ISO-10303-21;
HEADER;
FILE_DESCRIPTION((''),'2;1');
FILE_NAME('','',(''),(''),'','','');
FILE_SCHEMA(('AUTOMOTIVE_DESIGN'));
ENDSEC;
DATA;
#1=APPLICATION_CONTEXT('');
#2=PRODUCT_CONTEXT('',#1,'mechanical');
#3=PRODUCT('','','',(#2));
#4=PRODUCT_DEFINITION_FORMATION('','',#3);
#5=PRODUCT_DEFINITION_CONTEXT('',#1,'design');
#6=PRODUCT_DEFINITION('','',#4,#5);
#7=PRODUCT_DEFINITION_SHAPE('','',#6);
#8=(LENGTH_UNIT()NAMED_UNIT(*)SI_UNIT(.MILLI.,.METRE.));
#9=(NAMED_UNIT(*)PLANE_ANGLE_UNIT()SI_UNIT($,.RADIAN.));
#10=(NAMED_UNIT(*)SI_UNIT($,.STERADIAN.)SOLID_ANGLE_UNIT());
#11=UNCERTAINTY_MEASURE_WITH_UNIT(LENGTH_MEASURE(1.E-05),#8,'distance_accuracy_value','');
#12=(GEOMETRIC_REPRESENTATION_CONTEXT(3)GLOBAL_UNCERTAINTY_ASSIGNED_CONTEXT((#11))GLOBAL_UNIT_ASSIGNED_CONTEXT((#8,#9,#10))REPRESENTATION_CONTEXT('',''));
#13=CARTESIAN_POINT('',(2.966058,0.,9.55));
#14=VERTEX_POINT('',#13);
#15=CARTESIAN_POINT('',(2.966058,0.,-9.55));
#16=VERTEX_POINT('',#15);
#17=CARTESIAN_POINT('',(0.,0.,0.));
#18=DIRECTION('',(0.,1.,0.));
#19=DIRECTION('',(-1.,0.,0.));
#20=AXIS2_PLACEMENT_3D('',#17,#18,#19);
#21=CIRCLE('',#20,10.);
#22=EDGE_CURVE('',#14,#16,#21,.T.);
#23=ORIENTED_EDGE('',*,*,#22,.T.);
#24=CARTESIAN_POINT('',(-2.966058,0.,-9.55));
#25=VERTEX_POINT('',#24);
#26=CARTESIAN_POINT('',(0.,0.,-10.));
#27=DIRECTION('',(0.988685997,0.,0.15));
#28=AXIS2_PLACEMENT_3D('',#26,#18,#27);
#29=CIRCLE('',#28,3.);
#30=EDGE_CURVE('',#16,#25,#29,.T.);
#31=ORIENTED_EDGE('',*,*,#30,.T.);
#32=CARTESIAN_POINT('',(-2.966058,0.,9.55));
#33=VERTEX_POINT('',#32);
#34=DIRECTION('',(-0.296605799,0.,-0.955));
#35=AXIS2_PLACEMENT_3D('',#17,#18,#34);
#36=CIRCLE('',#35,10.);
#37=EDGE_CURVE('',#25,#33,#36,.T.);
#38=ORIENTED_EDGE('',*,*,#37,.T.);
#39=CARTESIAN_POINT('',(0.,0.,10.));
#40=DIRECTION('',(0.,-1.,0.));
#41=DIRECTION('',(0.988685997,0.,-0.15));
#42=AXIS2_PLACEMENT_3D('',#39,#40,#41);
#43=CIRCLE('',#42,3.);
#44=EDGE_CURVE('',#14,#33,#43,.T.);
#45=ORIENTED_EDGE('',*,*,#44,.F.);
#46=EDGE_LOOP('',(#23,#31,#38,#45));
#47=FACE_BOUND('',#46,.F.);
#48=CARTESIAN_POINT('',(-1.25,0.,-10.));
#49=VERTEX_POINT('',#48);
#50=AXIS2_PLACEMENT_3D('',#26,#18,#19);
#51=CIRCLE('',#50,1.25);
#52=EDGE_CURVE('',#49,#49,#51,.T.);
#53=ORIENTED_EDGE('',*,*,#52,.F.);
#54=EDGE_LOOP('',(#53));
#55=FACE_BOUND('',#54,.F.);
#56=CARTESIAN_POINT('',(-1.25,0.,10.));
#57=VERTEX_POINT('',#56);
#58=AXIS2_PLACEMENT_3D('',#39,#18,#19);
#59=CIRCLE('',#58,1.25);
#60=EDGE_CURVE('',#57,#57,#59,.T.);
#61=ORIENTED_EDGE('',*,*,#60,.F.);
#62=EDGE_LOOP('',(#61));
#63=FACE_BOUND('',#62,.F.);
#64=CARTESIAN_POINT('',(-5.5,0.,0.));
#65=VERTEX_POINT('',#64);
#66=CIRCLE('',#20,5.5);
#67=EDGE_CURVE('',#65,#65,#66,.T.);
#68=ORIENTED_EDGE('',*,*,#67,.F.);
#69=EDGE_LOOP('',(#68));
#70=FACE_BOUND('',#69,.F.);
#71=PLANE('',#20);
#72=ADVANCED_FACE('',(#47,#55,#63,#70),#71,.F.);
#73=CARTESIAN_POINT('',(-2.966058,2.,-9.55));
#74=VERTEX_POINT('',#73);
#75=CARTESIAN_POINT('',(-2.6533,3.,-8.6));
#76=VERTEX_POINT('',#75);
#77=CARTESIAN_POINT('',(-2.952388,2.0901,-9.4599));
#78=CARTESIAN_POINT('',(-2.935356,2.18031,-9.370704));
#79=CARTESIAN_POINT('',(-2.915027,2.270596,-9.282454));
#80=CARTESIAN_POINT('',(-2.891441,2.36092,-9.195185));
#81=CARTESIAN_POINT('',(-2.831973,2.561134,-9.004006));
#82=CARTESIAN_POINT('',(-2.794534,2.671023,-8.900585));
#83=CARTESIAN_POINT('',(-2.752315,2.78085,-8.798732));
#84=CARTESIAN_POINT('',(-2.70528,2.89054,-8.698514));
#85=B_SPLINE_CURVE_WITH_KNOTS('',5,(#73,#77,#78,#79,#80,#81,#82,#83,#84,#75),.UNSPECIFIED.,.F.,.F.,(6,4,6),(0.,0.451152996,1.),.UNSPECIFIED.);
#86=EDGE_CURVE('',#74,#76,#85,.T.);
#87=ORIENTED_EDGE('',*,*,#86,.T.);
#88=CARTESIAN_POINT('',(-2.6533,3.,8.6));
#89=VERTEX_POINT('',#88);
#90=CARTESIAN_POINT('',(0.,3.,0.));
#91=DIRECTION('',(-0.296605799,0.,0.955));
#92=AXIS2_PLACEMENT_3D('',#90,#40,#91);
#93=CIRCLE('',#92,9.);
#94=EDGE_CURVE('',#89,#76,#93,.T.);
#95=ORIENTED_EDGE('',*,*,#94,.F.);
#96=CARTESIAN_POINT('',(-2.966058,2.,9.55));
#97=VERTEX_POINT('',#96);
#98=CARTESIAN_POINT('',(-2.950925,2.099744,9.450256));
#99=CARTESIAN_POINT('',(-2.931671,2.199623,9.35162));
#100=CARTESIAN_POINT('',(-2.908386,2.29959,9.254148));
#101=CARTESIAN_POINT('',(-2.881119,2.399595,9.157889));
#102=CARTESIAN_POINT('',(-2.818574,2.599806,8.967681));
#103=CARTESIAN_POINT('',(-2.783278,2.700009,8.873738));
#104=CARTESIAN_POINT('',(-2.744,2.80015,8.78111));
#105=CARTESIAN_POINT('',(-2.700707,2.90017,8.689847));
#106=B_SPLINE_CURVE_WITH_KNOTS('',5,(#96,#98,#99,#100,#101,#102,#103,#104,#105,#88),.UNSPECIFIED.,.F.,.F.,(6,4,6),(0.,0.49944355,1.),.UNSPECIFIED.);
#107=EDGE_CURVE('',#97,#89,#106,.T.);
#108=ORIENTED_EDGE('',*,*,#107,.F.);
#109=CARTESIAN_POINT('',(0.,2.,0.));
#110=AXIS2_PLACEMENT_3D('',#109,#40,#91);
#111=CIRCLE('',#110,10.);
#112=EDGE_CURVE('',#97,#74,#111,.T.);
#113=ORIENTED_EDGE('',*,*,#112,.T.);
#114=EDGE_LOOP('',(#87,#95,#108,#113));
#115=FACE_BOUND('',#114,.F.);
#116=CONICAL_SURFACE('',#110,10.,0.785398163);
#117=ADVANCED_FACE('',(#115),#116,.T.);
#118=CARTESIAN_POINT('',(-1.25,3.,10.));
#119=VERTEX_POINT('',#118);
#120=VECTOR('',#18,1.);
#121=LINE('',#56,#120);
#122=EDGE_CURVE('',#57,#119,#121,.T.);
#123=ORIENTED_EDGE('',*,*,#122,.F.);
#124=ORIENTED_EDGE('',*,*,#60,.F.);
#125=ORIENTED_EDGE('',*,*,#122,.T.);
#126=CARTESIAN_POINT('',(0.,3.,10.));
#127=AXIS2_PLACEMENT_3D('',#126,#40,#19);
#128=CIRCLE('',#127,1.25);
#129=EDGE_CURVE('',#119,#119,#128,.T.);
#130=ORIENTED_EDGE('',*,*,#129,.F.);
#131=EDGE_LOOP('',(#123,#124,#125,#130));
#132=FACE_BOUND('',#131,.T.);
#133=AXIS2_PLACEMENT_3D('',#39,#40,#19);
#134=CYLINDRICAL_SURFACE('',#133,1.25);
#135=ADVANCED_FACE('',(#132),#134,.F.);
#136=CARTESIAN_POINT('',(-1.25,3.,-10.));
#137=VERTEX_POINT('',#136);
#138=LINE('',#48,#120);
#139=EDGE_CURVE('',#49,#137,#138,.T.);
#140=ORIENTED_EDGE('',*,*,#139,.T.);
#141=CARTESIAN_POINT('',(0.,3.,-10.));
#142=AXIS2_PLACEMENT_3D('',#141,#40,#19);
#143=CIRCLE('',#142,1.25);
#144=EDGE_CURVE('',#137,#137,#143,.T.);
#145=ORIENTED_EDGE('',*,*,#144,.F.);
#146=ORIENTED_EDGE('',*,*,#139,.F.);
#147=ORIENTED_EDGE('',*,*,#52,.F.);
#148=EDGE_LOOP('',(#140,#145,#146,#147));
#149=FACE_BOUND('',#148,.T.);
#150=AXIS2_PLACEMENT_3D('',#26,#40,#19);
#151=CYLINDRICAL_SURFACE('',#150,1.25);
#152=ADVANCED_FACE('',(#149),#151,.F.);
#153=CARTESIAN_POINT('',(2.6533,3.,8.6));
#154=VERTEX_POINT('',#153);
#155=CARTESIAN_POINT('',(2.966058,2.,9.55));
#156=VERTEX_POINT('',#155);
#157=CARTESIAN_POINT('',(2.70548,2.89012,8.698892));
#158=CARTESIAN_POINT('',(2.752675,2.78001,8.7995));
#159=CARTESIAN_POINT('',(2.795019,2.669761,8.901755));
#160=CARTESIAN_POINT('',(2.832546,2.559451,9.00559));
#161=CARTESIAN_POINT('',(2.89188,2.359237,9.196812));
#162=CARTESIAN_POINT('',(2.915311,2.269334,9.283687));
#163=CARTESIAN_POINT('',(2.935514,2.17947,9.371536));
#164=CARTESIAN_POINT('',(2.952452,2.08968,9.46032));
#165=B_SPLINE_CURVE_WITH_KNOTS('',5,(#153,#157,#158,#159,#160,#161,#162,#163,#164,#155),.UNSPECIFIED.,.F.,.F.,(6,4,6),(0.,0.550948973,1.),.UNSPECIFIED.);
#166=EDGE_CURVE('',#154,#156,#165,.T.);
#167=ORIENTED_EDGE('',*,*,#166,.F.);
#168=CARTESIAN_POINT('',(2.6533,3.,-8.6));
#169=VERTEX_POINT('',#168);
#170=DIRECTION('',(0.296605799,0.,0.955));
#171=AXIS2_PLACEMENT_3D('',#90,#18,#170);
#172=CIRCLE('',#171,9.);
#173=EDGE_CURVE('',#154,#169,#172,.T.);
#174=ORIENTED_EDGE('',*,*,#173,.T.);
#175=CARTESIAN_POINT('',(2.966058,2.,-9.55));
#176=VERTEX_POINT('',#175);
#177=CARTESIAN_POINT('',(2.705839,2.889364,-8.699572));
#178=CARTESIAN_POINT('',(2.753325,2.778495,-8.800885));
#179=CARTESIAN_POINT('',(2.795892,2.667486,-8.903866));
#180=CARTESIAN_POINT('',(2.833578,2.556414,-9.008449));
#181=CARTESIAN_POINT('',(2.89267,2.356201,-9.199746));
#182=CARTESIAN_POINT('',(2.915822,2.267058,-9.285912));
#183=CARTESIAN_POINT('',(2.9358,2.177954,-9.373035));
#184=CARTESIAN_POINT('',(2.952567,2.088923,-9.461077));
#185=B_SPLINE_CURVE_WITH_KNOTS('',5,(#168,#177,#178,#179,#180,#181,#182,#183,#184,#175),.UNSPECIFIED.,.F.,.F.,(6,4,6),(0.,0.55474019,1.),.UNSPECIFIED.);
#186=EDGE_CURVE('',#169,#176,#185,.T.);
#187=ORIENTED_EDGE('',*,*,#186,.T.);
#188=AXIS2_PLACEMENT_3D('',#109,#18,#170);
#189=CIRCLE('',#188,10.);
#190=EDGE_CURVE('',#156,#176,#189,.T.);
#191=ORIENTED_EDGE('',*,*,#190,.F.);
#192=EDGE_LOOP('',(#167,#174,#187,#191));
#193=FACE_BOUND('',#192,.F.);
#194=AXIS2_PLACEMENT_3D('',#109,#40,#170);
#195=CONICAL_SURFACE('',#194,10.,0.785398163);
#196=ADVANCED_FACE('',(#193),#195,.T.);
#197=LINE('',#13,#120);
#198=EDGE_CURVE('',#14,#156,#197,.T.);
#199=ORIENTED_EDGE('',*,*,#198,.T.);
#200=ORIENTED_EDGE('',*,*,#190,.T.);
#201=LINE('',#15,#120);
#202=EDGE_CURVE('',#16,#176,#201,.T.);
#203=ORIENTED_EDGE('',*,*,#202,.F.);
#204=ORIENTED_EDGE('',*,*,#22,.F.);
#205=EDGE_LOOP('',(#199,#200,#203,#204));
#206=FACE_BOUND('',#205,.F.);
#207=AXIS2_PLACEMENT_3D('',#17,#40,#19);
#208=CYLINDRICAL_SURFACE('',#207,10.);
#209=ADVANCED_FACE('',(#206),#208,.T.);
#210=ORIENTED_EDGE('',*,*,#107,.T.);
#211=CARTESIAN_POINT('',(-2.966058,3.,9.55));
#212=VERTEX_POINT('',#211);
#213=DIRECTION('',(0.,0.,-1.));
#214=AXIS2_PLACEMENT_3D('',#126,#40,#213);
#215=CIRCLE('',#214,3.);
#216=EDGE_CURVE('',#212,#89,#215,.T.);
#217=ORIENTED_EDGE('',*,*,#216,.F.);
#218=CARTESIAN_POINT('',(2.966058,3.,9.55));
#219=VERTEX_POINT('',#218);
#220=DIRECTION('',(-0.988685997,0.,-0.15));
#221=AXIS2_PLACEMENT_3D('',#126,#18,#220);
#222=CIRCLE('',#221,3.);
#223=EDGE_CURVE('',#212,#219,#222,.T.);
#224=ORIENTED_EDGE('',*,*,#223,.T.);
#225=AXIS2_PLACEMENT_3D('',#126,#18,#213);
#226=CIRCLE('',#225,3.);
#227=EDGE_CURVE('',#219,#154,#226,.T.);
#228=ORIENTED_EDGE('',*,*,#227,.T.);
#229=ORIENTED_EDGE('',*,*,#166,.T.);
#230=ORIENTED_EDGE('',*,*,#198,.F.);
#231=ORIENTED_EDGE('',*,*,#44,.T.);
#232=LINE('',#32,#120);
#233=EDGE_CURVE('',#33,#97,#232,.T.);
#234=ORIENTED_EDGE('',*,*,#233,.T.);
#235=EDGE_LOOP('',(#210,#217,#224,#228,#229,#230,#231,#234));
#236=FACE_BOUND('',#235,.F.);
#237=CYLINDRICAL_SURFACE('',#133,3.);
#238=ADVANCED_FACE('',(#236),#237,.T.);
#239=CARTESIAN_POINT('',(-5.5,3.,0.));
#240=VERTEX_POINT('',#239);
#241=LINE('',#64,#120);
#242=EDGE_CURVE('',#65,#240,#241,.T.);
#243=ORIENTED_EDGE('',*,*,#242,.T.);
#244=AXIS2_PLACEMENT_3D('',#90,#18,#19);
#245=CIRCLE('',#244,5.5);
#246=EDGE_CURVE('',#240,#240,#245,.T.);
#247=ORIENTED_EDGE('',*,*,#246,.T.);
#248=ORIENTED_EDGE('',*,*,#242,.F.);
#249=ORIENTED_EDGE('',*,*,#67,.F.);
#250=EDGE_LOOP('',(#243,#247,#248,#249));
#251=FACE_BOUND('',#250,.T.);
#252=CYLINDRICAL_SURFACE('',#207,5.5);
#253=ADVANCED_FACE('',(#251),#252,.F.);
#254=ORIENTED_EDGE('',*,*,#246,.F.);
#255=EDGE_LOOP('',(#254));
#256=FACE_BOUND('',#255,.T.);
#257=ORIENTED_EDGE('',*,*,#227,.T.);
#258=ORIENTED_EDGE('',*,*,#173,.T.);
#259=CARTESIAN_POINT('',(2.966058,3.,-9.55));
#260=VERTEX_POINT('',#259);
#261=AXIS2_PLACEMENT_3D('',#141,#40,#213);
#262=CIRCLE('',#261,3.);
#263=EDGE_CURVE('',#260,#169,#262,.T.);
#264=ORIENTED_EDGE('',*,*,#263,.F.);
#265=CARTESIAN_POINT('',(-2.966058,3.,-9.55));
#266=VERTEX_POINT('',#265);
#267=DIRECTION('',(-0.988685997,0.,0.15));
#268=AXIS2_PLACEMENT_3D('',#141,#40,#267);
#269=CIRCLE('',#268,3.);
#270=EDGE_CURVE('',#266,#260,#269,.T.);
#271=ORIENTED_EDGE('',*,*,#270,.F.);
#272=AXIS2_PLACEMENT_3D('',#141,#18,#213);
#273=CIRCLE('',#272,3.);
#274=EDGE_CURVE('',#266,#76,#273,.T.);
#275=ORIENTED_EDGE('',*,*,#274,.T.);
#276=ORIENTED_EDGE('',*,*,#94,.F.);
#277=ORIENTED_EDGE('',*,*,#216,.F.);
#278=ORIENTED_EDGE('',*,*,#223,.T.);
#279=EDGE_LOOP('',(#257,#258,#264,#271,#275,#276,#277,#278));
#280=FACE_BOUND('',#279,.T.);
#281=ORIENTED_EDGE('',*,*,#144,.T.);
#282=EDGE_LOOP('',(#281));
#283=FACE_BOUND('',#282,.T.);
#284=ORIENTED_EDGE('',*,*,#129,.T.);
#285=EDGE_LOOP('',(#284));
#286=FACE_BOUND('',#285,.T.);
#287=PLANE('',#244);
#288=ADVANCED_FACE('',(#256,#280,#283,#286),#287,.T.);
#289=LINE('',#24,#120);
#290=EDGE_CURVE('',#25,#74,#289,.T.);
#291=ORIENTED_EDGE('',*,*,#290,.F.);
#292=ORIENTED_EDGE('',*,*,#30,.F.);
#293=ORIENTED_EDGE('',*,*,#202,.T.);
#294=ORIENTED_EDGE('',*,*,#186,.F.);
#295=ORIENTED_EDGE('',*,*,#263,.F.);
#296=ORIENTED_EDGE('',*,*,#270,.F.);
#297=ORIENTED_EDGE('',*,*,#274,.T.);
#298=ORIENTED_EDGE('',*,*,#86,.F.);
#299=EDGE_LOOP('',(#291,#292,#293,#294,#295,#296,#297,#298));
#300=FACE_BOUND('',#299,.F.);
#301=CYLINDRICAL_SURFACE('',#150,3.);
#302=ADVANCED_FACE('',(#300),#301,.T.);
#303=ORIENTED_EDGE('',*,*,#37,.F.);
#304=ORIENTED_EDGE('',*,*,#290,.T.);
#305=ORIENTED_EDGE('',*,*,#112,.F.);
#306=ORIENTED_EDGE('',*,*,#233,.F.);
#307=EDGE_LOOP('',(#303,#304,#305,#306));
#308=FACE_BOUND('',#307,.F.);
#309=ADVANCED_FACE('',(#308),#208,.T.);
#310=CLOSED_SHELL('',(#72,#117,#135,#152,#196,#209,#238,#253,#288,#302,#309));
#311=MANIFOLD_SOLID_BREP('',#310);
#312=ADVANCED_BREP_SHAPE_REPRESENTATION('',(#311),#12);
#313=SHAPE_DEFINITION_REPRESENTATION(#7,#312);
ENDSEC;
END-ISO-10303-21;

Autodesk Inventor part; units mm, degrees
ref_plane "YZ Plane" through (0, 0, 0) normal (1, 0, 0) x (0, 1, 0)
ref_plane "XZ Plane" through (0, 0, 0) normal (0, 1, 0) x (-1, 0, 0)
ref_plane "XY Plane" through (0, 0, 0) normal (0, 0, 1) x (1, 0, 0)
sketch "스케치1" plane through (0, 0, 0) normal (0, 1, 0) x (-1, 0, 0)
  circle A0 centre (0, 0) radius 10
  circle A1 centre (0, 10) radius 1.25
  circle A2 centre (0, 10) radius 3
  line L0 (0, 0) -> (3.5124, 0)
  circle A3 centre (0, -10) radius 1.25
  circle A4 centre (0, -10) radius 3
  circle A5 centre (0, 0) radius 5.5
  point P0 (2.9661, 9.55)
  point P1 (-2.9661, 9.55)
  point P2 (-2.9661, -9.55)
  point P3 (2.9661, -9.55)
  dimension "d0" = 20
  dimension "d2" = 2.5
  dimension "d3" = 6
  dimension "d4" = 11
extrude "돌출1" add sketch "스케치1" along normal blind 3 contours A0 A4 A2 | A2 A0 A1 | A0 A1 A2 | A4 A0 A3 | A0 A3 A4
chamfer "모따기1" distance 1 angle 45 2 edges at (10, 3, 0) (-10, 3, 0)
properties part number "책상 고정판 홀더"
